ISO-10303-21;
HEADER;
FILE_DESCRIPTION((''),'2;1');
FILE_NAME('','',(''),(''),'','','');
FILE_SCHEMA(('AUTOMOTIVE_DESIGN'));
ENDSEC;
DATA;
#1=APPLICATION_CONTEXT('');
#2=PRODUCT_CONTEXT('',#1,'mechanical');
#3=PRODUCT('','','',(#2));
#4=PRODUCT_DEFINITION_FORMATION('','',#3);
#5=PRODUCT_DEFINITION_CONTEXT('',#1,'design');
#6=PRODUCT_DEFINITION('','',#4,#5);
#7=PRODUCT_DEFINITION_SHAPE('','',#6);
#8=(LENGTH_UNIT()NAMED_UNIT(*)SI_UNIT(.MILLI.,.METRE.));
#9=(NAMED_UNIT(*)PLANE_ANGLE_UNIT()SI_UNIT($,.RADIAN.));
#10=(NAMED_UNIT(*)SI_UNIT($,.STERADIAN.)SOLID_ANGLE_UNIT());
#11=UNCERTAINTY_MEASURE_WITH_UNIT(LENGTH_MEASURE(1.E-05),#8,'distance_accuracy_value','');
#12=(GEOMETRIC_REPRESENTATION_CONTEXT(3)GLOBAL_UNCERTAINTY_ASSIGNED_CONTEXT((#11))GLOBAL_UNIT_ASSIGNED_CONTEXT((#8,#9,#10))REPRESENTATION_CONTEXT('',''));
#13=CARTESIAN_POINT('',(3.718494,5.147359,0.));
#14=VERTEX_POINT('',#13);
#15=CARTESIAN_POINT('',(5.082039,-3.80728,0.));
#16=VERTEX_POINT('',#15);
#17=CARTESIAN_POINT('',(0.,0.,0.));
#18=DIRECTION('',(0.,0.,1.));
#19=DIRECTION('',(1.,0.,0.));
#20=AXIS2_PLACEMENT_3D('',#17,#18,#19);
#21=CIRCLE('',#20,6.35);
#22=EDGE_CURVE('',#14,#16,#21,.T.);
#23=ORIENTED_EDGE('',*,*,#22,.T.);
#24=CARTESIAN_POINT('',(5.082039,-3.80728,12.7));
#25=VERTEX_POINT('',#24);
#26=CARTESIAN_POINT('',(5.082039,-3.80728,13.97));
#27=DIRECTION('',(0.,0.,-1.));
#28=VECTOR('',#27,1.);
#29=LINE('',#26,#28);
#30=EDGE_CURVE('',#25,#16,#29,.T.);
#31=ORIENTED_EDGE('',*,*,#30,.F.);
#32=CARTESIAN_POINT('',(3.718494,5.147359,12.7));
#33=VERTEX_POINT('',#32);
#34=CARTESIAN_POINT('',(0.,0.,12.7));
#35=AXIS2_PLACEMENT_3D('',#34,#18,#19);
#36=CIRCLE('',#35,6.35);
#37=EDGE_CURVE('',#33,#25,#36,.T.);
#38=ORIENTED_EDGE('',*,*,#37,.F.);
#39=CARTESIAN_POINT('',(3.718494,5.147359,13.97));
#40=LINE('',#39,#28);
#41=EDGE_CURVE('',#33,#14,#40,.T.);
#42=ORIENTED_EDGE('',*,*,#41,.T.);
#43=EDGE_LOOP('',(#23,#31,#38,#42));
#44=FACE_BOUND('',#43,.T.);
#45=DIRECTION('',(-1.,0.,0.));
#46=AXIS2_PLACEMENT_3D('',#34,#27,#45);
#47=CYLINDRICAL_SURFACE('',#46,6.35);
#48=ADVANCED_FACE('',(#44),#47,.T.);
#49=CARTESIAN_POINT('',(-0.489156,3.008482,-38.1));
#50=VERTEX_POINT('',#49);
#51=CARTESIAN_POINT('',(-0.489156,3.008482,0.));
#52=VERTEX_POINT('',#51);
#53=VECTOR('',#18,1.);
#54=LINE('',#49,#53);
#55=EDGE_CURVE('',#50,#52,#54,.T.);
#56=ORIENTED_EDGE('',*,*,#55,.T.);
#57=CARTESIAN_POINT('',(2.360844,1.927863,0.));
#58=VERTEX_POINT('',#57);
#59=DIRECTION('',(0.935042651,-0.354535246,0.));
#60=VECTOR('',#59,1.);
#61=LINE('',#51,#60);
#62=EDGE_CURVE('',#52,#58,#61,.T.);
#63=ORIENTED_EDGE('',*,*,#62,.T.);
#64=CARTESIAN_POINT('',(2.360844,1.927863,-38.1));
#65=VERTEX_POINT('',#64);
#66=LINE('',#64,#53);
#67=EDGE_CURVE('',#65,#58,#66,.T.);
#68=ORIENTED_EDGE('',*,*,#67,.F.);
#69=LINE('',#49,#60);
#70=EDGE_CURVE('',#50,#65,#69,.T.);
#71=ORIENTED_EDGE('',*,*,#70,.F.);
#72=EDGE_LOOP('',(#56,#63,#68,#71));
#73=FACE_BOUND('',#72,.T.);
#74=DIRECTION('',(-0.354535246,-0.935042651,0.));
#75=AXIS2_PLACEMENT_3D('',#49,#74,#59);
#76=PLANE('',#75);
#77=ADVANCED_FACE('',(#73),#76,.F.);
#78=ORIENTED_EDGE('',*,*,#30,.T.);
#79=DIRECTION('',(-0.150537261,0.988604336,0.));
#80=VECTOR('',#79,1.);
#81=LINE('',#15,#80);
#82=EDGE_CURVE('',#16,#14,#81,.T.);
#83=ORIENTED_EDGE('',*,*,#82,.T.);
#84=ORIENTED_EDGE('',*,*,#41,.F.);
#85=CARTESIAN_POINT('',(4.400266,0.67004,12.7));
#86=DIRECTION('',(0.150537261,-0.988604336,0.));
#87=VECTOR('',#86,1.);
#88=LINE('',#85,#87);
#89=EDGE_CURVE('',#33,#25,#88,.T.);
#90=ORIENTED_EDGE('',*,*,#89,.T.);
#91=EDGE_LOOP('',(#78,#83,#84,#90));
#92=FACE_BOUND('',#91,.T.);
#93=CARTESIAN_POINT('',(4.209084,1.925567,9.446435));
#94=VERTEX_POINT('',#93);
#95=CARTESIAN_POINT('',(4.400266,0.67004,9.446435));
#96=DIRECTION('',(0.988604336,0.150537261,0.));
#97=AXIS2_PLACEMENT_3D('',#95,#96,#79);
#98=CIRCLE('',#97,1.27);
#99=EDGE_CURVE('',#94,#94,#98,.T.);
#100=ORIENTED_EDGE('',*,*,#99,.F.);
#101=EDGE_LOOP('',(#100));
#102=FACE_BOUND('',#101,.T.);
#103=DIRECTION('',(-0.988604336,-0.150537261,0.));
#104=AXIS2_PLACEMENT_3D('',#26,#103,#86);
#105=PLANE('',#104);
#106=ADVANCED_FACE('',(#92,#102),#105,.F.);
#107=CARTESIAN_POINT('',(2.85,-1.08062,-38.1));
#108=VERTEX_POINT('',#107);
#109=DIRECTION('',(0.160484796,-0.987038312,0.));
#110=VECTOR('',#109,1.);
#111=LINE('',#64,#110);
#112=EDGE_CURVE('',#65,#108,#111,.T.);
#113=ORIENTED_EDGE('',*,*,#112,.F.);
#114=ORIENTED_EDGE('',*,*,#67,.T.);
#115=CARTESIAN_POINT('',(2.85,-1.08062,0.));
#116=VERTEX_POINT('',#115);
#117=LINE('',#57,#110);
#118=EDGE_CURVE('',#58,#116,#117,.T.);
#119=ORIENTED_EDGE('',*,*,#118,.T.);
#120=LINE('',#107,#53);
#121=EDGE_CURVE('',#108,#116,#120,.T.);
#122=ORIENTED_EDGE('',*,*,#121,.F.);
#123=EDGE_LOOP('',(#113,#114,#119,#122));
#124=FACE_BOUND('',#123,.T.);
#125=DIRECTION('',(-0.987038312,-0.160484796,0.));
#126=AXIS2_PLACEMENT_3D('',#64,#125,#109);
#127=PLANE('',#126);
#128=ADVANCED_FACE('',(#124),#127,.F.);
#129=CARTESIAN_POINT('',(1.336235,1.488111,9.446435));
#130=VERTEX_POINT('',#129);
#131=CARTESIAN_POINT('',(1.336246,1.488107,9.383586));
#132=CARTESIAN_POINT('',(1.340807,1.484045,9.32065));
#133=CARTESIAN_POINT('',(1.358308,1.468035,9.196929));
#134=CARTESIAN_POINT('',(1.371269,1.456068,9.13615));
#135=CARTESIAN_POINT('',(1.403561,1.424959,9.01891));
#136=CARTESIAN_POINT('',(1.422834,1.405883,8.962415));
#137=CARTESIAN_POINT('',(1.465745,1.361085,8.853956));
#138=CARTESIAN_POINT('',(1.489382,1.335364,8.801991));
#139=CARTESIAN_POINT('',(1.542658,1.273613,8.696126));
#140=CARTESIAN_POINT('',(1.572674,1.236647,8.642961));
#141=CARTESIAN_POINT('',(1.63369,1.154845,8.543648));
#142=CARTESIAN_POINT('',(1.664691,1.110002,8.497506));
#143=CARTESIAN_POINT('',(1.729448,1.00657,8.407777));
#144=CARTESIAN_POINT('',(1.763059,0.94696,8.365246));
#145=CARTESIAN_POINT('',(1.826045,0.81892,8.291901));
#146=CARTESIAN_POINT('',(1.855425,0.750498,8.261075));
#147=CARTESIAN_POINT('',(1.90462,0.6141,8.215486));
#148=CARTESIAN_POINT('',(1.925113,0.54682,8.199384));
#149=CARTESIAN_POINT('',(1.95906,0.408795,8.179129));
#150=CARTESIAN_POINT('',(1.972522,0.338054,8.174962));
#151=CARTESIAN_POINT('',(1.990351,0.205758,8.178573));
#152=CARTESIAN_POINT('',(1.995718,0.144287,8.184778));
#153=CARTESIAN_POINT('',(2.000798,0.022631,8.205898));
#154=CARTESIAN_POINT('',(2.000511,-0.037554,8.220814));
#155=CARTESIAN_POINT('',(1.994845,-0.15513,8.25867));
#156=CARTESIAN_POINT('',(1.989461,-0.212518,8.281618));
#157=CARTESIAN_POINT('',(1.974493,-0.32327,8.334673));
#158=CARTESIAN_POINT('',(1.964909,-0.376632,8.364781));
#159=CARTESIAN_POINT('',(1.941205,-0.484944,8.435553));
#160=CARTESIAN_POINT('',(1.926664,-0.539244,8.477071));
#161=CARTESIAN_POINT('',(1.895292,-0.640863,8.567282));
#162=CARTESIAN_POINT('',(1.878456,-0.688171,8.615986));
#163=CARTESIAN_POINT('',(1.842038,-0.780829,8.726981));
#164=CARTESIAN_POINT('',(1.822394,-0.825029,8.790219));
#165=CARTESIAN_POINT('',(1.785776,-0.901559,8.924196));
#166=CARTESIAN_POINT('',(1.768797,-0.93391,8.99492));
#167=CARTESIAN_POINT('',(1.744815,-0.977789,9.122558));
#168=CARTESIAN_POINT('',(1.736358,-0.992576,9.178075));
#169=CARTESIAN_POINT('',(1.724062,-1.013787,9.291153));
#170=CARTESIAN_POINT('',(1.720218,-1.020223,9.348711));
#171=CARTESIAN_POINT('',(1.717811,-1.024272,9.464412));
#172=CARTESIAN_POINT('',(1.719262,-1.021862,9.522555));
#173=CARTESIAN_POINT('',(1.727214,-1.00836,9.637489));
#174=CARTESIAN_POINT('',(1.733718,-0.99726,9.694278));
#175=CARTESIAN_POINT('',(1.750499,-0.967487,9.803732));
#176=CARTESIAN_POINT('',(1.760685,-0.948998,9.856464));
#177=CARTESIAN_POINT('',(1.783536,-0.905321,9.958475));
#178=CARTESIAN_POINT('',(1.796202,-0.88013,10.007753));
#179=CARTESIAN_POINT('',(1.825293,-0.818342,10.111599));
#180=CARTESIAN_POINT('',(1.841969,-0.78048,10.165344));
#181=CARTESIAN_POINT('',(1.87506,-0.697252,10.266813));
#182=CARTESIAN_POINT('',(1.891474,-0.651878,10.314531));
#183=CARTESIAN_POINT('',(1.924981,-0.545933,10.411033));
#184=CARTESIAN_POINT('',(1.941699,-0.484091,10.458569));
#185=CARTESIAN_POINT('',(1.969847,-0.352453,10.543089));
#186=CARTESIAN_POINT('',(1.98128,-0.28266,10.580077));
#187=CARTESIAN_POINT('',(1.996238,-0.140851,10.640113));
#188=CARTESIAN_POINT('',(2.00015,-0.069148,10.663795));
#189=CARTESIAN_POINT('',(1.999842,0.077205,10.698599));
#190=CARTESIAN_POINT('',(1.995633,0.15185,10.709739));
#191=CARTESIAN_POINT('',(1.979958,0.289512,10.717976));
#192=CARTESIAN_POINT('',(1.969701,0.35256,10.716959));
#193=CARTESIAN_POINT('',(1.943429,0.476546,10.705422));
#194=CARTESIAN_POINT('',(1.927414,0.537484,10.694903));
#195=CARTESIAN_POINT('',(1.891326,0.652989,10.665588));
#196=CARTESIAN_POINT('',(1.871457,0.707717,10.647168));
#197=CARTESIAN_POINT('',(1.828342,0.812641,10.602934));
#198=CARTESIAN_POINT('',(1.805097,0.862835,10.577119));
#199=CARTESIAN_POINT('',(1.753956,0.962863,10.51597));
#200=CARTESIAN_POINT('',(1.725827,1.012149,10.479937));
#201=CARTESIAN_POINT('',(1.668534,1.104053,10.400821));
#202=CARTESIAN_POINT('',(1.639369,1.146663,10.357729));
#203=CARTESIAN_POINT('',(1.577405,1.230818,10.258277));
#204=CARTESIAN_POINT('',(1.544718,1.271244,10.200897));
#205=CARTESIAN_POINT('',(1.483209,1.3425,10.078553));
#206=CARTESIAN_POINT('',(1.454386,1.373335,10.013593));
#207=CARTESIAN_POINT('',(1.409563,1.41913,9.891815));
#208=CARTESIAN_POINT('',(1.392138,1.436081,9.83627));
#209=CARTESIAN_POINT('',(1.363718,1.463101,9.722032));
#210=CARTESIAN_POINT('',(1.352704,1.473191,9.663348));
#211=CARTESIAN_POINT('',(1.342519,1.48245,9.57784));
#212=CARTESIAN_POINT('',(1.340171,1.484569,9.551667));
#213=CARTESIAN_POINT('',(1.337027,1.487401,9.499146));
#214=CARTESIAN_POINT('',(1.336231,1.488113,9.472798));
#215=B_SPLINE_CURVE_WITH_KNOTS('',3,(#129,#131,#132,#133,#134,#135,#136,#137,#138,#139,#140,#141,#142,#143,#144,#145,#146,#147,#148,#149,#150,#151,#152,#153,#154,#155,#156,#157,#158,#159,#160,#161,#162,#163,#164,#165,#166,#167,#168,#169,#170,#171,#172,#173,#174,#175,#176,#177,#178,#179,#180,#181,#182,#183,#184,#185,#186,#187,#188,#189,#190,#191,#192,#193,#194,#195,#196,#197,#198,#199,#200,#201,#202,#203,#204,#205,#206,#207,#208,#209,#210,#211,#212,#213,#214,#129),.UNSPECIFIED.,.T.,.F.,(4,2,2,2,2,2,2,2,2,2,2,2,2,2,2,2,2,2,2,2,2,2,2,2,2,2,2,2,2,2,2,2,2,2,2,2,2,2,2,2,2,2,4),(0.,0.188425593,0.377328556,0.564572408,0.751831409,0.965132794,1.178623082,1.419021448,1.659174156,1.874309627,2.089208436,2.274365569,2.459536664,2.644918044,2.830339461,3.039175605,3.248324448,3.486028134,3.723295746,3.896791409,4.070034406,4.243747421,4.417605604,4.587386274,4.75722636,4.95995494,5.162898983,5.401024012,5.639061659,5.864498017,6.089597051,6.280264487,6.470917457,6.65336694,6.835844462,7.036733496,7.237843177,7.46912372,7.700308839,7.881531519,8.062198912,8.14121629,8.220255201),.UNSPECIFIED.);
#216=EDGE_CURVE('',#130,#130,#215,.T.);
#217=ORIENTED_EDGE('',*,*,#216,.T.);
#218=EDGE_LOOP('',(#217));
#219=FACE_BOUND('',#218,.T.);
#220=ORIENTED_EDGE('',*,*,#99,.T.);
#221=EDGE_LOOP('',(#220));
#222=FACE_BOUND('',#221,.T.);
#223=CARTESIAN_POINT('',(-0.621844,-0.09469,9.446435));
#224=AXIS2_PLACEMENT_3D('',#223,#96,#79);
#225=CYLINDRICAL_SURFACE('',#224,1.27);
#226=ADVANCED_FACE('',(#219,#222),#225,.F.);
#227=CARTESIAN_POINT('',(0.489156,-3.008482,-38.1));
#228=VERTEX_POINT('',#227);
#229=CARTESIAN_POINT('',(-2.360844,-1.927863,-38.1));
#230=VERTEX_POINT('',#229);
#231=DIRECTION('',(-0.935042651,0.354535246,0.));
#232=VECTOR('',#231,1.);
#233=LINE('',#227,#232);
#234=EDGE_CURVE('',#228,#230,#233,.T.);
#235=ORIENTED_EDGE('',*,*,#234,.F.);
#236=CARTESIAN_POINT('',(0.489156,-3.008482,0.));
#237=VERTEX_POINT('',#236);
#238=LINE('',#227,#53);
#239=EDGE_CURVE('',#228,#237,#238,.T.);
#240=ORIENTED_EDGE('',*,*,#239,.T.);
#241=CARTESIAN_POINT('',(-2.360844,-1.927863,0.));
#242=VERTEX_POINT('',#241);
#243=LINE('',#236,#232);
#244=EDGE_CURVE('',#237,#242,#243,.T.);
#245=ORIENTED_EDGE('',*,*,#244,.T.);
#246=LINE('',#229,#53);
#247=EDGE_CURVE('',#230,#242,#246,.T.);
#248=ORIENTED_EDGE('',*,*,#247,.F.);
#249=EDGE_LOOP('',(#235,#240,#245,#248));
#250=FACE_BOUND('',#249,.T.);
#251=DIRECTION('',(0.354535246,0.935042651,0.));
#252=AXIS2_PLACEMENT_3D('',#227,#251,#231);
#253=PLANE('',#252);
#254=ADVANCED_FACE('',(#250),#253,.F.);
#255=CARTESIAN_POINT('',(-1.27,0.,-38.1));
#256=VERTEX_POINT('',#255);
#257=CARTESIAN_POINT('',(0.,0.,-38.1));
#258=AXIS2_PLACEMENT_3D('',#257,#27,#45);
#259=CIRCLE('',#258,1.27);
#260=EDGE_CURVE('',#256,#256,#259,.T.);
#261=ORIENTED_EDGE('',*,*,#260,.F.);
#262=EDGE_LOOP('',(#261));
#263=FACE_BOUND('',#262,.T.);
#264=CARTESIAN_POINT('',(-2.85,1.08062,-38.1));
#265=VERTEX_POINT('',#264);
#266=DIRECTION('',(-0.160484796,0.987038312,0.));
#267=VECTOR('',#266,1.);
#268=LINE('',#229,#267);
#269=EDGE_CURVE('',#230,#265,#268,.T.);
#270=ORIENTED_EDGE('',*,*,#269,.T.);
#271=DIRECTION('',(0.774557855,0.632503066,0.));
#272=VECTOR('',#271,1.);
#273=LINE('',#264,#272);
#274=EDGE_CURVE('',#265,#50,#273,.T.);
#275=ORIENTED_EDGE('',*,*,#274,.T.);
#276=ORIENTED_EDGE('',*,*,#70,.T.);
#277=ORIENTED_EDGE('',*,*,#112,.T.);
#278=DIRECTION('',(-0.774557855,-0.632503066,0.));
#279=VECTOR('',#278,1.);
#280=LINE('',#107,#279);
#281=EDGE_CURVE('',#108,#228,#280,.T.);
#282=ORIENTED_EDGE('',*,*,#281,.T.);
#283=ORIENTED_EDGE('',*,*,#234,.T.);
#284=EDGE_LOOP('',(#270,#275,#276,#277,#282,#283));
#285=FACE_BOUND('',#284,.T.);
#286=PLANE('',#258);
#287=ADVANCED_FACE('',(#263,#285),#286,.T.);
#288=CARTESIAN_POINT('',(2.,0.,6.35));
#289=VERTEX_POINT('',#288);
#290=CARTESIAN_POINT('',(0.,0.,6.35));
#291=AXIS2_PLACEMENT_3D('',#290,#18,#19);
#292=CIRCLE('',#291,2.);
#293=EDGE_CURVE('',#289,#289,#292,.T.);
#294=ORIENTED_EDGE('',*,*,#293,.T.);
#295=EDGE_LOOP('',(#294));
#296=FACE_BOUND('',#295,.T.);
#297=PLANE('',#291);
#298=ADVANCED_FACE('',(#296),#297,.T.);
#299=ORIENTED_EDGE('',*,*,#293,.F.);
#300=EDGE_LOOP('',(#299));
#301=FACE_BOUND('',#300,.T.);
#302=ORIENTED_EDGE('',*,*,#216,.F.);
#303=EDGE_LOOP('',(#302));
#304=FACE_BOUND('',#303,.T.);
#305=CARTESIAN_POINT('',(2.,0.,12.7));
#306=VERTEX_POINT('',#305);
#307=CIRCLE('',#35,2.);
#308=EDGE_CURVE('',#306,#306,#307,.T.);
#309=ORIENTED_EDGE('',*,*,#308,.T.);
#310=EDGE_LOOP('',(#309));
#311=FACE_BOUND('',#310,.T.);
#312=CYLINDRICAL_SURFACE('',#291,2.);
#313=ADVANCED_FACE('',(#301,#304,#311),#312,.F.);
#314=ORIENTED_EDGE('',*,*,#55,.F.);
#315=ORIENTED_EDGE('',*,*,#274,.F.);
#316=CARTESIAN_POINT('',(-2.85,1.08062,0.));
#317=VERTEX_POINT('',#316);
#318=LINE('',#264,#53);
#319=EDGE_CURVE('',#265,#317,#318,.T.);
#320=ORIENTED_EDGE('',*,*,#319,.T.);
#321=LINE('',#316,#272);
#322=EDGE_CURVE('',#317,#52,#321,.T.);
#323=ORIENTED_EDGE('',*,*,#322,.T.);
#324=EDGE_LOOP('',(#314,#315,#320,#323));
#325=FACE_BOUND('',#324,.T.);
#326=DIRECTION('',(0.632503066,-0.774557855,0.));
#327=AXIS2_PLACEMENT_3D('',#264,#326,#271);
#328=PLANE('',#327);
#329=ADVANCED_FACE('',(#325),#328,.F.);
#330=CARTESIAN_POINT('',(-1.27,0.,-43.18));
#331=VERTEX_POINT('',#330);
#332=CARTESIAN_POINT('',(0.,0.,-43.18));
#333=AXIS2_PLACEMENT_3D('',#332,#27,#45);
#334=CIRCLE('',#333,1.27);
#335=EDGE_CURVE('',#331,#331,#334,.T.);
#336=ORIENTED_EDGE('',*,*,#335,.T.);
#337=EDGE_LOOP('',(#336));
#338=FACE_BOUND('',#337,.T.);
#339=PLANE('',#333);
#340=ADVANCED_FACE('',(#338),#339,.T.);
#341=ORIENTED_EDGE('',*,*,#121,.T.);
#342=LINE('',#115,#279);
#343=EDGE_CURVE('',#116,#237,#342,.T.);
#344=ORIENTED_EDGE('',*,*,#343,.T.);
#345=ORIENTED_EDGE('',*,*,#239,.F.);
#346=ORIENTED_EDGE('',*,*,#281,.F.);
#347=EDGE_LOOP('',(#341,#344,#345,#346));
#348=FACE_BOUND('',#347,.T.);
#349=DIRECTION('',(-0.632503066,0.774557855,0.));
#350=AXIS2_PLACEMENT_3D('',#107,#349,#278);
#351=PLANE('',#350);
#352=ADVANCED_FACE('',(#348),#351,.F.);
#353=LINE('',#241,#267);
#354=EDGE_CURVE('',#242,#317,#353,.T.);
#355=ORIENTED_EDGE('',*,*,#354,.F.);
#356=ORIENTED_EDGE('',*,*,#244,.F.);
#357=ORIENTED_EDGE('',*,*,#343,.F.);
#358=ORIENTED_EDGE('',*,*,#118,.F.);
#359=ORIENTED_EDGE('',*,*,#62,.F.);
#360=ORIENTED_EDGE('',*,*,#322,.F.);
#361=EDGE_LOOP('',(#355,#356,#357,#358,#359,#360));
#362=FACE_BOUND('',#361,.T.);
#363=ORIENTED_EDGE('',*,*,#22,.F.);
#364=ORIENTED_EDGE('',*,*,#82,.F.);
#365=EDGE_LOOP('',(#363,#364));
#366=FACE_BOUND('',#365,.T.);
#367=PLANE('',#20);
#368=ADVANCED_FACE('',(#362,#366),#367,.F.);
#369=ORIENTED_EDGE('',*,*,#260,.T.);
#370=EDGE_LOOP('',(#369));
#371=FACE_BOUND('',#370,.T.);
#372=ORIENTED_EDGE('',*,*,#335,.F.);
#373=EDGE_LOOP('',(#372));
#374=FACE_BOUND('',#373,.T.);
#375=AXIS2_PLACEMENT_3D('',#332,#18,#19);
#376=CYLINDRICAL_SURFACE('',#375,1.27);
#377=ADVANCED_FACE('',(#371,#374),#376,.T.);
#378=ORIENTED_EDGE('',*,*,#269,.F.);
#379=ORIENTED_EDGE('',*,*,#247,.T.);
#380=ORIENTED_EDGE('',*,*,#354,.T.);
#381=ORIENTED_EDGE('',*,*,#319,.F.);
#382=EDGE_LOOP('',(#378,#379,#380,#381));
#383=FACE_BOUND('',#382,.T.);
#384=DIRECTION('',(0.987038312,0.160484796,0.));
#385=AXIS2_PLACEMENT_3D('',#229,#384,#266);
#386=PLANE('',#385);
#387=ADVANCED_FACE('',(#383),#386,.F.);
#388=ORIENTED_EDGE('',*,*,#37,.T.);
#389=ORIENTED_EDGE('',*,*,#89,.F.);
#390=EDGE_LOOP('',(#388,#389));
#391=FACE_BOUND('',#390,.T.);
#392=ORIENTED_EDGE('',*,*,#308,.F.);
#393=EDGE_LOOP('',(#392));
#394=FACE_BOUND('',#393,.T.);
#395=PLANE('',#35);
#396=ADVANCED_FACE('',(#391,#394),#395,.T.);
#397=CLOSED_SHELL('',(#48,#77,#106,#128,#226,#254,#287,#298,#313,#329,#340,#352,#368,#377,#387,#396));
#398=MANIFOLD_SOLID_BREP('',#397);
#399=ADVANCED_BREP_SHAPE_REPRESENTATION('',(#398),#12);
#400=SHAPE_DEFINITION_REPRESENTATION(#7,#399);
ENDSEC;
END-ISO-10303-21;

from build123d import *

# Parameters (mm, degrees)
SKETCH1_R           = 6.35
BOSS_EXTRUDE1_DEPTH = 12.7
BOSS_EXTRUDE2_DEPTH = 38.1
SKETCH8_R           = 1.27
BOSS_EXTRUDE3_DEPTH = 5.08
CUT_EXTRUDE1_DEPTH  = 13.97
SKETCH10_R          = 1.27
CUT_EXTRUDE2_DEPTH  = 5.08
SKETCH11_R          = 2
CUT_EXTRUDE3_DEPTH  = 6.35


with BuildPart() as part:
    # Sketch1 → Boss-Extrude1 (new body)
    with BuildSketch(Plane.XY):
        Circle(SKETCH1_R)
    extrude(amount=BOSS_EXTRUDE1_DEPTH)

    # Sketch3 → Boss-Extrude2 (add)
    with BuildSketch(Plane(origin=(0, 0, 0), x_dir=(-1, 0, 0), z_dir=(0, 0, -1))):
        Polygon((0.489155942, 3.00848222), (-2.360844058, 1.927862582), (-2.85, -1.080619638), (-0.489155942, -3.00848222), (2.360844058, -1.927862582), (2.85, 1.080619638), align=None)
    extrude(amount=BOSS_EXTRUDE2_DEPTH)

    # Sketch8 → Boss-Extrude3 (add)
    with BuildSketch(Plane(origin=(0, 0, -38.1), x_dir=(-1, 0, 0), z_dir=(0, 0, -1))):
        Circle(SKETCH8_R)
    extrude(amount=BOSS_EXTRUDE3_DEPTH)

    # Sketch9 → Cut-Extrude1 (cut)
    with BuildSketch(Plane(origin=(0, 0, 0), x_dir=(-1, 0, 0), z_dir=(0, 0, -1))):
        Polygon((-5.082038886, -3.807279968), (-3.718493538, 5.14735911), (-6.16534328, 5.519947057), (-7.528888629, -3.434692022), align=None)
    extrude(amount=-CUT_EXTRUDE1_DEPTH, mode=Mode.SUBTRACT)

    # Sketch10 → Cut-Extrude2 (cut)
    with BuildSketch(Plane(origin=(4.400266212, 0.670039571, 0), x_dir=(0, 0, -1), z_dir=(0.988604335884072, 0.1505372614046529, 0))):
        with Locations(Location((-9.446434999, 0, 0), (0, 0, 90))):
            Circle(SKETCH10_R)
    extrude(amount=-CUT_EXTRUDE2_DEPTH, mode=Mode.SUBTRACT)

    # Sketch11 → Cut-Extrude3 (cut)
    with BuildSketch(Plane.XY.offset(12.7)):
        Circle(SKETCH11_R)
    extrude(amount=-CUT_EXTRUDE3_DEPTH, mode=Mode.SUBTRACT)


solid = part.part
